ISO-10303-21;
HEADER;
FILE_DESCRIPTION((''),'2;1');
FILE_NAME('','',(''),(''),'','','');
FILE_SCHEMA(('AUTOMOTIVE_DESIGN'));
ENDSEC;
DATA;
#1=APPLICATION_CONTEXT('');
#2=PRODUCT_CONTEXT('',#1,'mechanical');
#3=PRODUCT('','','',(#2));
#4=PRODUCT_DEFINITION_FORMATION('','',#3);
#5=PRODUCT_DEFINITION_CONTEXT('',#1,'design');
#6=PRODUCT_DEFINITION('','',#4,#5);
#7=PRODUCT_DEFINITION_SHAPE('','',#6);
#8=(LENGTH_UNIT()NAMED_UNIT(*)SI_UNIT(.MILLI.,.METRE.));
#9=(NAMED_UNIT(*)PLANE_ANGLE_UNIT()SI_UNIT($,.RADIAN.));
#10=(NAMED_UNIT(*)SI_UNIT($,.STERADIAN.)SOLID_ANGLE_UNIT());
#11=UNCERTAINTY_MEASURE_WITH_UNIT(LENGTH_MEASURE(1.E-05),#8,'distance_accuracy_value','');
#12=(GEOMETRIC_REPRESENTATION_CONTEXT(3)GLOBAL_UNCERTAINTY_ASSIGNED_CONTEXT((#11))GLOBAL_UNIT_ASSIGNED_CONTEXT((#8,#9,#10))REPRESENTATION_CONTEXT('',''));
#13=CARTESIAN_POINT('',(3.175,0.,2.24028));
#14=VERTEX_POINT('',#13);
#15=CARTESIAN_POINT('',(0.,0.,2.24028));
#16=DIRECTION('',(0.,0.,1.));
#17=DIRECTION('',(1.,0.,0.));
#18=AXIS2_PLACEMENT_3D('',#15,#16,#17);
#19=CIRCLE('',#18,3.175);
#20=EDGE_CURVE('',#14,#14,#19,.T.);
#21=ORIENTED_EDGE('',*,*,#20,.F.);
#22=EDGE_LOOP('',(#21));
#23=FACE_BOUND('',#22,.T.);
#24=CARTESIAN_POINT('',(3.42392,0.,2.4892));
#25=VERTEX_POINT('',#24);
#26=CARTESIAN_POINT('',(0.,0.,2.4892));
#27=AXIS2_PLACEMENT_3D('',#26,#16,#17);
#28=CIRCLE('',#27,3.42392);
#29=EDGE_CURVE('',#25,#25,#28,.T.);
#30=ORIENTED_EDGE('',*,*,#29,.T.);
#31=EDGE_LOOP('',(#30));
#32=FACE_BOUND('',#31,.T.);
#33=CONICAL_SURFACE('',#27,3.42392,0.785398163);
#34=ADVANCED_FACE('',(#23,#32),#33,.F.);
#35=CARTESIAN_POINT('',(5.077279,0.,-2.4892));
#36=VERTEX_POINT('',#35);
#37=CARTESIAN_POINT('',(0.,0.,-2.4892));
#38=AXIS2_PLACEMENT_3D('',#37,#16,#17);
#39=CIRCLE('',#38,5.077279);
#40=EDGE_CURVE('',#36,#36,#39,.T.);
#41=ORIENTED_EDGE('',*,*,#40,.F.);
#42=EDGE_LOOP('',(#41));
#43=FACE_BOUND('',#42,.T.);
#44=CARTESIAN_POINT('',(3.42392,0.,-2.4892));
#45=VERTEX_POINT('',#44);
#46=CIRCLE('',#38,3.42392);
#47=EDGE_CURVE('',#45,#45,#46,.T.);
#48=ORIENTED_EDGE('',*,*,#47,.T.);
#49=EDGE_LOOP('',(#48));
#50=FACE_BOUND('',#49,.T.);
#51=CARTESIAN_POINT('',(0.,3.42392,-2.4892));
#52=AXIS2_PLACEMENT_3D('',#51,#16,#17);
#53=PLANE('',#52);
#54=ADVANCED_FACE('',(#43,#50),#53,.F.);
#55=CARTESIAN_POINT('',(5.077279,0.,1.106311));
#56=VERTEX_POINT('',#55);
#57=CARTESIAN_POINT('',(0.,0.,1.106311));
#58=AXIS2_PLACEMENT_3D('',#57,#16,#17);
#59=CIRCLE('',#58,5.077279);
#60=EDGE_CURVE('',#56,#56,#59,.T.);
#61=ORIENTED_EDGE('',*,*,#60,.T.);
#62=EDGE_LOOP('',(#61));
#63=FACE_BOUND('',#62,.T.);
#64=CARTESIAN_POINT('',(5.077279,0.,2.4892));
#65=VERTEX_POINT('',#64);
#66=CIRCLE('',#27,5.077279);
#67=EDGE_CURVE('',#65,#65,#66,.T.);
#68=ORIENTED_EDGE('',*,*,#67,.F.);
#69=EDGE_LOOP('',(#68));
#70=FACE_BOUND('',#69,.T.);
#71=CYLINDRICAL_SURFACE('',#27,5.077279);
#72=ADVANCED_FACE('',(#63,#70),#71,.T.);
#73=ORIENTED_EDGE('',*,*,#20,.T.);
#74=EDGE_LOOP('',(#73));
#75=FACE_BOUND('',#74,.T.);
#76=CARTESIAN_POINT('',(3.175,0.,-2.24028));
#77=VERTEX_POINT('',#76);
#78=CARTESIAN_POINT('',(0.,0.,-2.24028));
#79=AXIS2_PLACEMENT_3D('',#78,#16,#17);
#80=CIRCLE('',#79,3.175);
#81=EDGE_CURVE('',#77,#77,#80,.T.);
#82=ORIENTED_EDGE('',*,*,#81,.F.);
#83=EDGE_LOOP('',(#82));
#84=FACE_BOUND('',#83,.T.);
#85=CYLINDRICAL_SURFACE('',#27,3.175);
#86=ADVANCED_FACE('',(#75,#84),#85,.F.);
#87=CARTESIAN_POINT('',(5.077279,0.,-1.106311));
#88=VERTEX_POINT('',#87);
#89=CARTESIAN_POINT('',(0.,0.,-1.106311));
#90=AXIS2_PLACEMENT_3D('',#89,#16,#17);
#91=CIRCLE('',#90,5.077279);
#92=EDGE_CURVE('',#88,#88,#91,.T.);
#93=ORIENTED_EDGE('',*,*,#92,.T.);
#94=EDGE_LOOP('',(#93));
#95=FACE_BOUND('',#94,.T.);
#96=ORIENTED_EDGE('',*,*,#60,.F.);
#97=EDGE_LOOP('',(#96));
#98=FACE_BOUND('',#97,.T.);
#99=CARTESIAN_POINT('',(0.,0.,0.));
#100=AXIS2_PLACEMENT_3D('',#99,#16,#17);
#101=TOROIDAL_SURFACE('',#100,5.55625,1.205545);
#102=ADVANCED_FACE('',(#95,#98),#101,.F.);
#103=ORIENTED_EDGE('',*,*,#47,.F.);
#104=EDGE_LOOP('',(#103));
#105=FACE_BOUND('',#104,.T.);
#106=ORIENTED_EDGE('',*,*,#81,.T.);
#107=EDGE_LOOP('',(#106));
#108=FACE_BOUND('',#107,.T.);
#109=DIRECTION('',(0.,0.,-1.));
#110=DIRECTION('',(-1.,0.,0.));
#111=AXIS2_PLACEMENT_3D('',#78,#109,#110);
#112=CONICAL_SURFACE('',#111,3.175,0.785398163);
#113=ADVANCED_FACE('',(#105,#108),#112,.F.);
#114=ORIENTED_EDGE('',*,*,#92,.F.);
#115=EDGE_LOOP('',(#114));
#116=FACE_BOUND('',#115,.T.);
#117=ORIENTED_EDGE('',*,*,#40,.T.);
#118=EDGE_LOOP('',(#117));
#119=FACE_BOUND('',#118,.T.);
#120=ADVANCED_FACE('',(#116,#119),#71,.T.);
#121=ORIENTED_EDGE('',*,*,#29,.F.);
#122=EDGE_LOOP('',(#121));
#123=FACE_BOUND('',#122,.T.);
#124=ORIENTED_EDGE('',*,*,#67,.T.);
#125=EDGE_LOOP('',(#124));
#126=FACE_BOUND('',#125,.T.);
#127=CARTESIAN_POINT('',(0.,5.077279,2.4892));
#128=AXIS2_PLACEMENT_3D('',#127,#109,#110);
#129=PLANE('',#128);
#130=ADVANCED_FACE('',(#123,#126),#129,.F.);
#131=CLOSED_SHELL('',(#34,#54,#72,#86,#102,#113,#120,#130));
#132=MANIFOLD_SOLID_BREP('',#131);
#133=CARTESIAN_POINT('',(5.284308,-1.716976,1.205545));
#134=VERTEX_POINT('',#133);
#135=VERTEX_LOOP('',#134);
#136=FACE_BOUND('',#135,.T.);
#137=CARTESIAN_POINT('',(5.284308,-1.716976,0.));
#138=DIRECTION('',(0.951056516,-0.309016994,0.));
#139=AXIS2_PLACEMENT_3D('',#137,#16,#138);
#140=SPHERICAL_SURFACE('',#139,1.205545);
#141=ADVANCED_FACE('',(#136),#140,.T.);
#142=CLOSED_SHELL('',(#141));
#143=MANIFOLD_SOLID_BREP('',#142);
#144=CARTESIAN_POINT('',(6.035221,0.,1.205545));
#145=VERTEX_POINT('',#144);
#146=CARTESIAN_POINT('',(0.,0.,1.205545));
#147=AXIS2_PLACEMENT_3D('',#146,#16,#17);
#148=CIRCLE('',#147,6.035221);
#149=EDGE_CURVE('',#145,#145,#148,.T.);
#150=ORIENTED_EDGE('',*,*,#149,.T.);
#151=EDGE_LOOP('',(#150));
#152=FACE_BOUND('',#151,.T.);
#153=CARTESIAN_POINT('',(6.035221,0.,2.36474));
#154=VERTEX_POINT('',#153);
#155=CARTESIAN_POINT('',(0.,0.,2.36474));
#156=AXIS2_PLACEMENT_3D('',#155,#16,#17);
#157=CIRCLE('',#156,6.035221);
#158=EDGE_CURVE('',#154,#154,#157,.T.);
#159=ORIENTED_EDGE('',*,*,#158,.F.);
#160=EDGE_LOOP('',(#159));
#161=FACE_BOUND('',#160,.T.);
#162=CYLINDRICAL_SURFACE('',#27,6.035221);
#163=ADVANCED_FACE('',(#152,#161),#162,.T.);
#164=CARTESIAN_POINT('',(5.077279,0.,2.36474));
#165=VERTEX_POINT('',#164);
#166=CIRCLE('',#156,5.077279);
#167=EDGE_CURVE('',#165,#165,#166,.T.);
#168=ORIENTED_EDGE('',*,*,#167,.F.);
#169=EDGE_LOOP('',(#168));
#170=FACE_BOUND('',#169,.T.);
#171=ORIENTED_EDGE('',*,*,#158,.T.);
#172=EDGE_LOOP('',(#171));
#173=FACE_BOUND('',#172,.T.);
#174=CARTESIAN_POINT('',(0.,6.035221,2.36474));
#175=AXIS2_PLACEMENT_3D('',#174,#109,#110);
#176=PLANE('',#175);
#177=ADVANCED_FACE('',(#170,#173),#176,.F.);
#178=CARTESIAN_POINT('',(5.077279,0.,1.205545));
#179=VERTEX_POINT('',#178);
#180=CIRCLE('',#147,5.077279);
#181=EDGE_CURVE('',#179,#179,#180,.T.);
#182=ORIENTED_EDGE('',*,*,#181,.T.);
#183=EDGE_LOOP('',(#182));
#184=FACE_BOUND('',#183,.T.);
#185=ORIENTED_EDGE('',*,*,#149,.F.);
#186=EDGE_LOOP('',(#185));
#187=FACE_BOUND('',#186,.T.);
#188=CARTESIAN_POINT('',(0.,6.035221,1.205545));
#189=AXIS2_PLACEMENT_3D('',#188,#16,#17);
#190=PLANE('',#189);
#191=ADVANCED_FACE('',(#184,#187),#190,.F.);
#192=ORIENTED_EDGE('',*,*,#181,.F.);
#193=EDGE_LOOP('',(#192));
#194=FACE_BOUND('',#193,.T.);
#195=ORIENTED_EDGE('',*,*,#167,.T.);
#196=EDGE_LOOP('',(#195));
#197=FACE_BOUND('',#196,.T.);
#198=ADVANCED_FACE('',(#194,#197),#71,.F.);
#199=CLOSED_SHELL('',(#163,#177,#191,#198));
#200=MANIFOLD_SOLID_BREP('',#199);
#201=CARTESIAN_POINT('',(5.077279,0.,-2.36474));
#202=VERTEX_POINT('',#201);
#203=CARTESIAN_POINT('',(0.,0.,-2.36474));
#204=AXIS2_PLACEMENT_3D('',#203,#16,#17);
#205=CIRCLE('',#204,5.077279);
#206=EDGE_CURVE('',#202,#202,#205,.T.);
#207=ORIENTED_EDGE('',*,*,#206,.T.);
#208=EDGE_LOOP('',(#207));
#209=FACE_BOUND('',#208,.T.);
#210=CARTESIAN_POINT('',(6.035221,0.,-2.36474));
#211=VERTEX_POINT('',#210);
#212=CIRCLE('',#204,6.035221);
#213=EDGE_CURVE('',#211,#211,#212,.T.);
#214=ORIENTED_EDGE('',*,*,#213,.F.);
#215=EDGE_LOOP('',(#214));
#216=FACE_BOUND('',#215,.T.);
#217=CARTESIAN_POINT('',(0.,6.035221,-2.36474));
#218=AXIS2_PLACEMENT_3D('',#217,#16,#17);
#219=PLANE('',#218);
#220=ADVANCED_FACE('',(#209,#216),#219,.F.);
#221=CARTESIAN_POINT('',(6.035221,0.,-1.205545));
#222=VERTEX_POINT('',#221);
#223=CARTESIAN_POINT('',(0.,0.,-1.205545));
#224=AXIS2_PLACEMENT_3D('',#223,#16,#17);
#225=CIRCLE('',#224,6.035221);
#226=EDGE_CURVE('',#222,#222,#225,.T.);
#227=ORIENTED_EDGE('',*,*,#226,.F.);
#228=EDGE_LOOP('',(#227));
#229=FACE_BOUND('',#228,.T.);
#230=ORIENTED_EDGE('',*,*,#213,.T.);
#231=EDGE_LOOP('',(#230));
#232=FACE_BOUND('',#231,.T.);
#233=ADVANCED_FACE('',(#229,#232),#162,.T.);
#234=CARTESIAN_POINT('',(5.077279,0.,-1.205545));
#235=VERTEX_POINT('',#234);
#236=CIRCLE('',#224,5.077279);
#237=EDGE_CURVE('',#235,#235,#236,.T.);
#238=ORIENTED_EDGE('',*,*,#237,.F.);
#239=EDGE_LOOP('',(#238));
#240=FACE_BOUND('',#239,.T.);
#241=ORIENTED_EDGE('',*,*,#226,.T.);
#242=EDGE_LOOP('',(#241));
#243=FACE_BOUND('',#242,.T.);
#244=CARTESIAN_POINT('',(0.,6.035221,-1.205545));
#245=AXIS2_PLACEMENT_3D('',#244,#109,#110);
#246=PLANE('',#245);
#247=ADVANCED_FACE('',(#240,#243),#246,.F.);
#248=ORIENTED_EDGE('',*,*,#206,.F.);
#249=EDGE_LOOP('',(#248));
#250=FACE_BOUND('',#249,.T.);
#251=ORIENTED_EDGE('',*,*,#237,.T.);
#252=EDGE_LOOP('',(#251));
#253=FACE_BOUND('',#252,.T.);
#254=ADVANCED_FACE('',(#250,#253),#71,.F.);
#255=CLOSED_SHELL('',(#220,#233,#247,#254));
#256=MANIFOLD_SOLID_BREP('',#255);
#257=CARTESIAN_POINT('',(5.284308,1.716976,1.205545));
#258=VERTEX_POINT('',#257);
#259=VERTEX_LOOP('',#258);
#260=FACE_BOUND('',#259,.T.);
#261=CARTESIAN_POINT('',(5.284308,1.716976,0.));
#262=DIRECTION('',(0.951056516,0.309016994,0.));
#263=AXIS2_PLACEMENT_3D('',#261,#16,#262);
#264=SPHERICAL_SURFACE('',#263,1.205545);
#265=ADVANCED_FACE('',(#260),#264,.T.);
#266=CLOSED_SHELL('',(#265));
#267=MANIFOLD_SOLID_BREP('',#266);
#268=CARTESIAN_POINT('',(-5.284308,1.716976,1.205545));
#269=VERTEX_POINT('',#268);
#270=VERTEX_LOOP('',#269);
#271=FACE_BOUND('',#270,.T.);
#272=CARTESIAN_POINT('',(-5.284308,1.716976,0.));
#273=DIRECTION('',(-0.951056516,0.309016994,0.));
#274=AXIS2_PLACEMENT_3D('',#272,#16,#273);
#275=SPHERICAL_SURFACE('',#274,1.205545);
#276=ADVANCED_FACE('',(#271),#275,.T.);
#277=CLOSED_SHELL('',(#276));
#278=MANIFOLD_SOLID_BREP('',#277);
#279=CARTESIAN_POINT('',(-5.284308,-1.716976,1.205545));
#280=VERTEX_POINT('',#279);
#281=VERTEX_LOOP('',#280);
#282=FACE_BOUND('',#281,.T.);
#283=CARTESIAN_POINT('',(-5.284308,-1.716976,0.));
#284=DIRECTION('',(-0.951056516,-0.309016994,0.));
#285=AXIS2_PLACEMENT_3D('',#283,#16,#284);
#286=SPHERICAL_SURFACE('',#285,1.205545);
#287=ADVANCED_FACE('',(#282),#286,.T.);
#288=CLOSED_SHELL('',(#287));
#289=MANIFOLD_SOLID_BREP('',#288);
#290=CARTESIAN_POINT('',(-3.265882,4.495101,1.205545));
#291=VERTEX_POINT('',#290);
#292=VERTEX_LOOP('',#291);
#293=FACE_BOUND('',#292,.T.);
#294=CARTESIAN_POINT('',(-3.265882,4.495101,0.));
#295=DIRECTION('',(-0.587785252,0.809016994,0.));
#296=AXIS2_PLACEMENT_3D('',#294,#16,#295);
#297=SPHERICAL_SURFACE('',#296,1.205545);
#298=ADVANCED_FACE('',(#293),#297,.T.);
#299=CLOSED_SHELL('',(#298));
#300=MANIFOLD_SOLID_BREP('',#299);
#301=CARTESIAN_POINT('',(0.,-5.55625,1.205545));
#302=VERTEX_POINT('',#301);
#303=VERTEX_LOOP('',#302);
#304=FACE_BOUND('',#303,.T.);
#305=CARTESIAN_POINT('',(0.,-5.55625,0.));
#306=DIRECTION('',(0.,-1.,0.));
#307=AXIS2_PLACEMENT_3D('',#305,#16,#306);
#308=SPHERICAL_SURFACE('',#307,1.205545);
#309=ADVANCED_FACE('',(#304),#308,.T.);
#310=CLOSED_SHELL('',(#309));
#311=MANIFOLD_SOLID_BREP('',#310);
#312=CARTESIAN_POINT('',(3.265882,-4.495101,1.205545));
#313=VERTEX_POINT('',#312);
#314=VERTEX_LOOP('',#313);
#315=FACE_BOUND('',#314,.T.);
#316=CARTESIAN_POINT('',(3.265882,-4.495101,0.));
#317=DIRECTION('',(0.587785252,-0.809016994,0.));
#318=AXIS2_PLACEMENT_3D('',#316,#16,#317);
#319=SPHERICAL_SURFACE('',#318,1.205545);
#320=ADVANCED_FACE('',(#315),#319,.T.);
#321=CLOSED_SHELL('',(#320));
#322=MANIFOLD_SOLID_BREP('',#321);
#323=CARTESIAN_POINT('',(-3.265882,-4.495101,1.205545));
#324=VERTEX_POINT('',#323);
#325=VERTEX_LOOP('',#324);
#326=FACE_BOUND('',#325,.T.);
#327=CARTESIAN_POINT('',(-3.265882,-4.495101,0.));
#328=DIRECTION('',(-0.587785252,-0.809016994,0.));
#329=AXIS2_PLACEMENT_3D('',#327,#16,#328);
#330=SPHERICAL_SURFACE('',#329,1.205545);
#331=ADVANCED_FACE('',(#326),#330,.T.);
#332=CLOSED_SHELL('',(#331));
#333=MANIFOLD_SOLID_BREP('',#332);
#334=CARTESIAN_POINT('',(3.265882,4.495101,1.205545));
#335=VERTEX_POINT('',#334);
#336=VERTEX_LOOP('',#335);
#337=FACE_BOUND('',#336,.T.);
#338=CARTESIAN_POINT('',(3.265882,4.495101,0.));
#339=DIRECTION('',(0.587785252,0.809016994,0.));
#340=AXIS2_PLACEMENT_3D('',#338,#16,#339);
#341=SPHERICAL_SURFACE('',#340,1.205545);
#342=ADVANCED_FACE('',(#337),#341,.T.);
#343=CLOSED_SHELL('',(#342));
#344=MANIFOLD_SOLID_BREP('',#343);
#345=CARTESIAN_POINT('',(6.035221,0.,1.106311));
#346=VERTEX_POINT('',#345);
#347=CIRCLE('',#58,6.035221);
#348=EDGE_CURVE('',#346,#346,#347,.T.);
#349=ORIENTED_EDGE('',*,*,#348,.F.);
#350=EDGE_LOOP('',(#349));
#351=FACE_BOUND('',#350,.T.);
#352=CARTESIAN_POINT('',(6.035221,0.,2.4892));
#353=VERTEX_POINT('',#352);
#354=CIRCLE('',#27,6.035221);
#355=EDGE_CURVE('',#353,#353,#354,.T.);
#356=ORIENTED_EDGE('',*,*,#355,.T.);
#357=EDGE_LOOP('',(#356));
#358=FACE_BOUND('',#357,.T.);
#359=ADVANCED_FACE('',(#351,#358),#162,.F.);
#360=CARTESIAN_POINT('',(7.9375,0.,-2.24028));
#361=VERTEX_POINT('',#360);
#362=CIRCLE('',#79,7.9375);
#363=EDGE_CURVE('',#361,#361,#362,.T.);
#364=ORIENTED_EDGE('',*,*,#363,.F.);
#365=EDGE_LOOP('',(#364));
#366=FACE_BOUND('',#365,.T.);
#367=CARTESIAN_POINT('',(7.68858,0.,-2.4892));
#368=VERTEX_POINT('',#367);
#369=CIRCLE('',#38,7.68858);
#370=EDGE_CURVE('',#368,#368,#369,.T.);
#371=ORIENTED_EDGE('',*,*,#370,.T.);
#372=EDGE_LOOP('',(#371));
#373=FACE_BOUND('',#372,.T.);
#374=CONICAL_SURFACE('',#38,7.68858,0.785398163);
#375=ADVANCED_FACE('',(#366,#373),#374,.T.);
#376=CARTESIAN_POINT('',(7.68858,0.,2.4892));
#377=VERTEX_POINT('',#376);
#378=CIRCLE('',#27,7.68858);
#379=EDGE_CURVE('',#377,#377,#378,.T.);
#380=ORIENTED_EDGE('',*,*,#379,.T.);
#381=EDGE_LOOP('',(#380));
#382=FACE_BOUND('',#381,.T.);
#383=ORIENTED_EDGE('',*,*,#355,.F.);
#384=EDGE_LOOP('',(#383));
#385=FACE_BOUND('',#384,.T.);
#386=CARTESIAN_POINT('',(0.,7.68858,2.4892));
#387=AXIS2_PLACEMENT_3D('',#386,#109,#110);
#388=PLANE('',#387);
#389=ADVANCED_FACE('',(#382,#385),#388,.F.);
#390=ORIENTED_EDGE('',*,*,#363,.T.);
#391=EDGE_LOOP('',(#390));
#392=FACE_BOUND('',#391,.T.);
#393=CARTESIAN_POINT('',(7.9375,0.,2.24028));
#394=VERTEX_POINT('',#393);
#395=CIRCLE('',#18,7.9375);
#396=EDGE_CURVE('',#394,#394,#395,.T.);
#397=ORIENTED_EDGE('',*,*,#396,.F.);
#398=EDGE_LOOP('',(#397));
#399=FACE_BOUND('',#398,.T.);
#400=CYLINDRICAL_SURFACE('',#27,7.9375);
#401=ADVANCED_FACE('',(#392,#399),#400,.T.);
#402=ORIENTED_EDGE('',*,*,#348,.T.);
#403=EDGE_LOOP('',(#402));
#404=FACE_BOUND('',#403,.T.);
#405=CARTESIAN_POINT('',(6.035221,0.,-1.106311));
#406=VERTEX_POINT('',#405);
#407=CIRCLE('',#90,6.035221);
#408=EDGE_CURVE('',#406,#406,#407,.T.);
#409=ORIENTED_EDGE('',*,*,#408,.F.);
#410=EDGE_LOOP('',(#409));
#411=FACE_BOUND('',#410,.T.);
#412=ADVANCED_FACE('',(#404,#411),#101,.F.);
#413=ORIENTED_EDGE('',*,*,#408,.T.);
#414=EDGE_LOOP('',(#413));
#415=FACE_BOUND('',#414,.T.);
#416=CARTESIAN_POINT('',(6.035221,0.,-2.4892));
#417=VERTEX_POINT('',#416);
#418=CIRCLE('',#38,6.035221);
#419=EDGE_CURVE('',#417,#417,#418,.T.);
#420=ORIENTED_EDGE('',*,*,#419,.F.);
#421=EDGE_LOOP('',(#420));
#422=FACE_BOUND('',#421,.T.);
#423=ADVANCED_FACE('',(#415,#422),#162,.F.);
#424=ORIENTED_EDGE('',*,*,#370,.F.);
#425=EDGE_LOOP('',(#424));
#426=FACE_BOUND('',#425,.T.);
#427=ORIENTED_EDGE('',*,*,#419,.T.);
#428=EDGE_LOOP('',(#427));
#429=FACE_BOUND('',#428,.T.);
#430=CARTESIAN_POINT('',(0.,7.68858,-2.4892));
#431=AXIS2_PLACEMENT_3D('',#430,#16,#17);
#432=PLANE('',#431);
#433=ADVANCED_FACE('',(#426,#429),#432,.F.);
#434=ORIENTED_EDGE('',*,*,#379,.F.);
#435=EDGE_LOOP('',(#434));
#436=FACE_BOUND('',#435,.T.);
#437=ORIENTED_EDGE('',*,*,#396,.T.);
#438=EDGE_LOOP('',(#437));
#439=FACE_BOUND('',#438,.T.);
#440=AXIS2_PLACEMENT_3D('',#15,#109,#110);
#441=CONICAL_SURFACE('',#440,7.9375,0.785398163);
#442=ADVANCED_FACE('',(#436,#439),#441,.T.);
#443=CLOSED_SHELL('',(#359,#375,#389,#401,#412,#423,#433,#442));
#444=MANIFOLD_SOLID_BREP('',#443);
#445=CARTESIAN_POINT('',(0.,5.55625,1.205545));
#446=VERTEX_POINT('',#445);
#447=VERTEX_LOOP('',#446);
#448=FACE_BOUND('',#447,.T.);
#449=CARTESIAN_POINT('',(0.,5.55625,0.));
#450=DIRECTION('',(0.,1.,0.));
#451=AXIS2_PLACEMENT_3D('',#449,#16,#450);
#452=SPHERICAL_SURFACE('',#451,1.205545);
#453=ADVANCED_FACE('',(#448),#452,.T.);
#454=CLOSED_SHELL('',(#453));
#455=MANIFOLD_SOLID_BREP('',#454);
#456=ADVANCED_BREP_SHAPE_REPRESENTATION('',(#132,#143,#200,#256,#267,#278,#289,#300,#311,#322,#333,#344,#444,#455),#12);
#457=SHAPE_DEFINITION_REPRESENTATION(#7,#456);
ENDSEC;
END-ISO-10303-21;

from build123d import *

# Parameters (mm, degrees)
CIRPATTERN1_COUNT = 10
SKETCH5_W         = 1.15919535
SKETCH5_H         = 0.957942858


with BuildPart() as part:
    # Sketch1 → Revolve1 (revolve)
    with BuildSketch(Plane(origin=(0, 0, 0), x_dir=(0, 0, -1), z_dir=(1, 0, 0))):
        with BuildLine():
            Line((2.24028, 7.9375), (-2.24028, 7.9375))
            Line((-2.24028, 7.9375), (-2.4892, 7.68858))
            Line((-2.4892, 7.68858), (-2.4892, 6.035221429))
            Line((-2.4892, 6.035221429), (-1.106311111, 6.035221429))
            ThreePointArc((-1.106311111, 6.035221429), (0, 6.76179465), (1.106311111, 6.035221429))
            Line((1.106311111, 6.035221429), (2.4892, 6.035221429))
            Line((2.4892, 6.035221429), (2.4892, 7.68858))
            Line((2.4892, 7.68858), (2.24028, 7.9375))
        make_face()
    revolve(axis=Axis((0, 0, 2.4892), (0, 0, -1)))


with BuildPart() as body_2:
    # Sketch3 → Revolve3 (revolve)
    with BuildSketch(Plane(origin=(0, 0, 0), x_dir=(0, 0, -1), z_dir=(1, 0, 0))):
        with BuildLine():
            Line((-2.4892, 5.077278571), (-1.106311111, 5.077278571))
            ThreePointArc((-1.106311111, 5.077278571), (0, 4.35070535), (1.106311111, 5.077278571))
            Line((1.106311111, 5.077278571), (2.4892, 5.077278571))
            Line((2.4892, 5.077278571), (2.4892, 3.42392))
            Line((2.4892, 3.42392), (2.24028, 3.175))
            Line((2.24028, 3.175), (-2.24028, 3.175))
            Line((-2.24028, 3.175), (-2.4892, 3.42392))
            Line((-2.4892, 3.42392), (-2.4892, 5.077278571))
        make_face()
    revolve(axis=Axis((0, 0, 2.4892), (0, 0, -1)))


with BuildPart() as body_3:
    # Sketch4 → Revolve4 (revolve)
    with BuildSketch(Plane(origin=(0, 0, 0), x_dir=(0, 0, -1), z_dir=(1, 0, 0))):
        with BuildLine():
            Line((-1.20554465, 5.55625), (1.20554465, 5.55625))
            ThreePointArc((1.20554465, 5.55625), (0, 6.76179465), (-1.20554465, 5.55625))
        make_face()
    revolve(axis=Axis((0, 5.55625, 1.20554465), (0, 0, -1)))


with BuildPart() as cirpattern1_1:
    # CirPattern1: pattern copy
    add(body_3.part.rotate(Axis((0, 0, -2.4892), (0, 0, 1)), 1 * 360 / CIRPATTERN1_COUNT))


with BuildPart() as cirpattern1_2:
    # CirPattern1: pattern copy
    add(body_3.part.rotate(Axis((0, 0, -2.4892), (0, 0, 1)), 2 * 360 / CIRPATTERN1_COUNT))


with BuildPart() as cirpattern1_3:
    # CirPattern1: pattern copy
    add(body_3.part.rotate(Axis((0, 0, -2.4892), (0, 0, 1)), 3 * 360 / CIRPATTERN1_COUNT))


with BuildPart() as cirpattern1_4:
    # CirPattern1: pattern copy
    add(body_3.part.rotate(Axis((0, 0, -2.4892), (0, 0, 1)), 4 * 360 / CIRPATTERN1_COUNT))


with BuildPart() as cirpattern1_5:
    # CirPattern1: pattern copy
    add(body_3.part.rotate(Axis((0, 0, -2.4892), (0, 0, 1)), 5 * 360 / CIRPATTERN1_COUNT))


with BuildPart() as cirpattern1_6:
    # CirPattern1: pattern copy
    add(body_3.part.rotate(Axis((0, 0, -2.4892), (0, 0, 1)), 6 * 360 / CIRPATTERN1_COUNT))


with BuildPart() as cirpattern1_7:
    # CirPattern1: pattern copy
    add(body_3.part.rotate(Axis((0, 0, -2.4892), (0, 0, 1)), 7 * 360 / CIRPATTERN1_COUNT))


with BuildPart() as cirpattern1_8:
    # CirPattern1: pattern copy
    add(body_3.part.rotate(Axis((0, 0, -2.4892), (0, 0, 1)), 8 * 360 / CIRPATTERN1_COUNT))


with BuildPart() as cirpattern1_9:
    # CirPattern1: pattern copy
    add(body_3.part.rotate(Axis((0, 0, -2.4892), (0, 0, 1)), 9 * 360 / CIRPATTERN1_COUNT))


with BuildPart() as body_13:
    # Sketch5 → Revolve5 (revolve)
    with BuildSketch(Plane(origin=(0, 0, 0), x_dir=(0, 0, -1), z_dir=(1, 0, 0))):
        with Locations((-1.785142325, 5.55625)):
            Rectangle(SKETCH5_W, SKETCH5_H)
        with Locations((1.785142325, 5.55625)):
            Rectangle(SKETCH5_W, SKETCH5_H)
    revolve(axis=Axis((0, 0, 2.4892), (0, 0, -1)))


solid = Compound([part.part, body_2.part, body_3.part, cirpattern1_1.part, cirpattern1_2.part, cirpattern1_3.part, cirpattern1_4.part, cirpattern1_5.part, cirpattern1_6.part, cirpattern1_7.part, cirpattern1_8.part, cirpattern1_9.part, body_13.part])
